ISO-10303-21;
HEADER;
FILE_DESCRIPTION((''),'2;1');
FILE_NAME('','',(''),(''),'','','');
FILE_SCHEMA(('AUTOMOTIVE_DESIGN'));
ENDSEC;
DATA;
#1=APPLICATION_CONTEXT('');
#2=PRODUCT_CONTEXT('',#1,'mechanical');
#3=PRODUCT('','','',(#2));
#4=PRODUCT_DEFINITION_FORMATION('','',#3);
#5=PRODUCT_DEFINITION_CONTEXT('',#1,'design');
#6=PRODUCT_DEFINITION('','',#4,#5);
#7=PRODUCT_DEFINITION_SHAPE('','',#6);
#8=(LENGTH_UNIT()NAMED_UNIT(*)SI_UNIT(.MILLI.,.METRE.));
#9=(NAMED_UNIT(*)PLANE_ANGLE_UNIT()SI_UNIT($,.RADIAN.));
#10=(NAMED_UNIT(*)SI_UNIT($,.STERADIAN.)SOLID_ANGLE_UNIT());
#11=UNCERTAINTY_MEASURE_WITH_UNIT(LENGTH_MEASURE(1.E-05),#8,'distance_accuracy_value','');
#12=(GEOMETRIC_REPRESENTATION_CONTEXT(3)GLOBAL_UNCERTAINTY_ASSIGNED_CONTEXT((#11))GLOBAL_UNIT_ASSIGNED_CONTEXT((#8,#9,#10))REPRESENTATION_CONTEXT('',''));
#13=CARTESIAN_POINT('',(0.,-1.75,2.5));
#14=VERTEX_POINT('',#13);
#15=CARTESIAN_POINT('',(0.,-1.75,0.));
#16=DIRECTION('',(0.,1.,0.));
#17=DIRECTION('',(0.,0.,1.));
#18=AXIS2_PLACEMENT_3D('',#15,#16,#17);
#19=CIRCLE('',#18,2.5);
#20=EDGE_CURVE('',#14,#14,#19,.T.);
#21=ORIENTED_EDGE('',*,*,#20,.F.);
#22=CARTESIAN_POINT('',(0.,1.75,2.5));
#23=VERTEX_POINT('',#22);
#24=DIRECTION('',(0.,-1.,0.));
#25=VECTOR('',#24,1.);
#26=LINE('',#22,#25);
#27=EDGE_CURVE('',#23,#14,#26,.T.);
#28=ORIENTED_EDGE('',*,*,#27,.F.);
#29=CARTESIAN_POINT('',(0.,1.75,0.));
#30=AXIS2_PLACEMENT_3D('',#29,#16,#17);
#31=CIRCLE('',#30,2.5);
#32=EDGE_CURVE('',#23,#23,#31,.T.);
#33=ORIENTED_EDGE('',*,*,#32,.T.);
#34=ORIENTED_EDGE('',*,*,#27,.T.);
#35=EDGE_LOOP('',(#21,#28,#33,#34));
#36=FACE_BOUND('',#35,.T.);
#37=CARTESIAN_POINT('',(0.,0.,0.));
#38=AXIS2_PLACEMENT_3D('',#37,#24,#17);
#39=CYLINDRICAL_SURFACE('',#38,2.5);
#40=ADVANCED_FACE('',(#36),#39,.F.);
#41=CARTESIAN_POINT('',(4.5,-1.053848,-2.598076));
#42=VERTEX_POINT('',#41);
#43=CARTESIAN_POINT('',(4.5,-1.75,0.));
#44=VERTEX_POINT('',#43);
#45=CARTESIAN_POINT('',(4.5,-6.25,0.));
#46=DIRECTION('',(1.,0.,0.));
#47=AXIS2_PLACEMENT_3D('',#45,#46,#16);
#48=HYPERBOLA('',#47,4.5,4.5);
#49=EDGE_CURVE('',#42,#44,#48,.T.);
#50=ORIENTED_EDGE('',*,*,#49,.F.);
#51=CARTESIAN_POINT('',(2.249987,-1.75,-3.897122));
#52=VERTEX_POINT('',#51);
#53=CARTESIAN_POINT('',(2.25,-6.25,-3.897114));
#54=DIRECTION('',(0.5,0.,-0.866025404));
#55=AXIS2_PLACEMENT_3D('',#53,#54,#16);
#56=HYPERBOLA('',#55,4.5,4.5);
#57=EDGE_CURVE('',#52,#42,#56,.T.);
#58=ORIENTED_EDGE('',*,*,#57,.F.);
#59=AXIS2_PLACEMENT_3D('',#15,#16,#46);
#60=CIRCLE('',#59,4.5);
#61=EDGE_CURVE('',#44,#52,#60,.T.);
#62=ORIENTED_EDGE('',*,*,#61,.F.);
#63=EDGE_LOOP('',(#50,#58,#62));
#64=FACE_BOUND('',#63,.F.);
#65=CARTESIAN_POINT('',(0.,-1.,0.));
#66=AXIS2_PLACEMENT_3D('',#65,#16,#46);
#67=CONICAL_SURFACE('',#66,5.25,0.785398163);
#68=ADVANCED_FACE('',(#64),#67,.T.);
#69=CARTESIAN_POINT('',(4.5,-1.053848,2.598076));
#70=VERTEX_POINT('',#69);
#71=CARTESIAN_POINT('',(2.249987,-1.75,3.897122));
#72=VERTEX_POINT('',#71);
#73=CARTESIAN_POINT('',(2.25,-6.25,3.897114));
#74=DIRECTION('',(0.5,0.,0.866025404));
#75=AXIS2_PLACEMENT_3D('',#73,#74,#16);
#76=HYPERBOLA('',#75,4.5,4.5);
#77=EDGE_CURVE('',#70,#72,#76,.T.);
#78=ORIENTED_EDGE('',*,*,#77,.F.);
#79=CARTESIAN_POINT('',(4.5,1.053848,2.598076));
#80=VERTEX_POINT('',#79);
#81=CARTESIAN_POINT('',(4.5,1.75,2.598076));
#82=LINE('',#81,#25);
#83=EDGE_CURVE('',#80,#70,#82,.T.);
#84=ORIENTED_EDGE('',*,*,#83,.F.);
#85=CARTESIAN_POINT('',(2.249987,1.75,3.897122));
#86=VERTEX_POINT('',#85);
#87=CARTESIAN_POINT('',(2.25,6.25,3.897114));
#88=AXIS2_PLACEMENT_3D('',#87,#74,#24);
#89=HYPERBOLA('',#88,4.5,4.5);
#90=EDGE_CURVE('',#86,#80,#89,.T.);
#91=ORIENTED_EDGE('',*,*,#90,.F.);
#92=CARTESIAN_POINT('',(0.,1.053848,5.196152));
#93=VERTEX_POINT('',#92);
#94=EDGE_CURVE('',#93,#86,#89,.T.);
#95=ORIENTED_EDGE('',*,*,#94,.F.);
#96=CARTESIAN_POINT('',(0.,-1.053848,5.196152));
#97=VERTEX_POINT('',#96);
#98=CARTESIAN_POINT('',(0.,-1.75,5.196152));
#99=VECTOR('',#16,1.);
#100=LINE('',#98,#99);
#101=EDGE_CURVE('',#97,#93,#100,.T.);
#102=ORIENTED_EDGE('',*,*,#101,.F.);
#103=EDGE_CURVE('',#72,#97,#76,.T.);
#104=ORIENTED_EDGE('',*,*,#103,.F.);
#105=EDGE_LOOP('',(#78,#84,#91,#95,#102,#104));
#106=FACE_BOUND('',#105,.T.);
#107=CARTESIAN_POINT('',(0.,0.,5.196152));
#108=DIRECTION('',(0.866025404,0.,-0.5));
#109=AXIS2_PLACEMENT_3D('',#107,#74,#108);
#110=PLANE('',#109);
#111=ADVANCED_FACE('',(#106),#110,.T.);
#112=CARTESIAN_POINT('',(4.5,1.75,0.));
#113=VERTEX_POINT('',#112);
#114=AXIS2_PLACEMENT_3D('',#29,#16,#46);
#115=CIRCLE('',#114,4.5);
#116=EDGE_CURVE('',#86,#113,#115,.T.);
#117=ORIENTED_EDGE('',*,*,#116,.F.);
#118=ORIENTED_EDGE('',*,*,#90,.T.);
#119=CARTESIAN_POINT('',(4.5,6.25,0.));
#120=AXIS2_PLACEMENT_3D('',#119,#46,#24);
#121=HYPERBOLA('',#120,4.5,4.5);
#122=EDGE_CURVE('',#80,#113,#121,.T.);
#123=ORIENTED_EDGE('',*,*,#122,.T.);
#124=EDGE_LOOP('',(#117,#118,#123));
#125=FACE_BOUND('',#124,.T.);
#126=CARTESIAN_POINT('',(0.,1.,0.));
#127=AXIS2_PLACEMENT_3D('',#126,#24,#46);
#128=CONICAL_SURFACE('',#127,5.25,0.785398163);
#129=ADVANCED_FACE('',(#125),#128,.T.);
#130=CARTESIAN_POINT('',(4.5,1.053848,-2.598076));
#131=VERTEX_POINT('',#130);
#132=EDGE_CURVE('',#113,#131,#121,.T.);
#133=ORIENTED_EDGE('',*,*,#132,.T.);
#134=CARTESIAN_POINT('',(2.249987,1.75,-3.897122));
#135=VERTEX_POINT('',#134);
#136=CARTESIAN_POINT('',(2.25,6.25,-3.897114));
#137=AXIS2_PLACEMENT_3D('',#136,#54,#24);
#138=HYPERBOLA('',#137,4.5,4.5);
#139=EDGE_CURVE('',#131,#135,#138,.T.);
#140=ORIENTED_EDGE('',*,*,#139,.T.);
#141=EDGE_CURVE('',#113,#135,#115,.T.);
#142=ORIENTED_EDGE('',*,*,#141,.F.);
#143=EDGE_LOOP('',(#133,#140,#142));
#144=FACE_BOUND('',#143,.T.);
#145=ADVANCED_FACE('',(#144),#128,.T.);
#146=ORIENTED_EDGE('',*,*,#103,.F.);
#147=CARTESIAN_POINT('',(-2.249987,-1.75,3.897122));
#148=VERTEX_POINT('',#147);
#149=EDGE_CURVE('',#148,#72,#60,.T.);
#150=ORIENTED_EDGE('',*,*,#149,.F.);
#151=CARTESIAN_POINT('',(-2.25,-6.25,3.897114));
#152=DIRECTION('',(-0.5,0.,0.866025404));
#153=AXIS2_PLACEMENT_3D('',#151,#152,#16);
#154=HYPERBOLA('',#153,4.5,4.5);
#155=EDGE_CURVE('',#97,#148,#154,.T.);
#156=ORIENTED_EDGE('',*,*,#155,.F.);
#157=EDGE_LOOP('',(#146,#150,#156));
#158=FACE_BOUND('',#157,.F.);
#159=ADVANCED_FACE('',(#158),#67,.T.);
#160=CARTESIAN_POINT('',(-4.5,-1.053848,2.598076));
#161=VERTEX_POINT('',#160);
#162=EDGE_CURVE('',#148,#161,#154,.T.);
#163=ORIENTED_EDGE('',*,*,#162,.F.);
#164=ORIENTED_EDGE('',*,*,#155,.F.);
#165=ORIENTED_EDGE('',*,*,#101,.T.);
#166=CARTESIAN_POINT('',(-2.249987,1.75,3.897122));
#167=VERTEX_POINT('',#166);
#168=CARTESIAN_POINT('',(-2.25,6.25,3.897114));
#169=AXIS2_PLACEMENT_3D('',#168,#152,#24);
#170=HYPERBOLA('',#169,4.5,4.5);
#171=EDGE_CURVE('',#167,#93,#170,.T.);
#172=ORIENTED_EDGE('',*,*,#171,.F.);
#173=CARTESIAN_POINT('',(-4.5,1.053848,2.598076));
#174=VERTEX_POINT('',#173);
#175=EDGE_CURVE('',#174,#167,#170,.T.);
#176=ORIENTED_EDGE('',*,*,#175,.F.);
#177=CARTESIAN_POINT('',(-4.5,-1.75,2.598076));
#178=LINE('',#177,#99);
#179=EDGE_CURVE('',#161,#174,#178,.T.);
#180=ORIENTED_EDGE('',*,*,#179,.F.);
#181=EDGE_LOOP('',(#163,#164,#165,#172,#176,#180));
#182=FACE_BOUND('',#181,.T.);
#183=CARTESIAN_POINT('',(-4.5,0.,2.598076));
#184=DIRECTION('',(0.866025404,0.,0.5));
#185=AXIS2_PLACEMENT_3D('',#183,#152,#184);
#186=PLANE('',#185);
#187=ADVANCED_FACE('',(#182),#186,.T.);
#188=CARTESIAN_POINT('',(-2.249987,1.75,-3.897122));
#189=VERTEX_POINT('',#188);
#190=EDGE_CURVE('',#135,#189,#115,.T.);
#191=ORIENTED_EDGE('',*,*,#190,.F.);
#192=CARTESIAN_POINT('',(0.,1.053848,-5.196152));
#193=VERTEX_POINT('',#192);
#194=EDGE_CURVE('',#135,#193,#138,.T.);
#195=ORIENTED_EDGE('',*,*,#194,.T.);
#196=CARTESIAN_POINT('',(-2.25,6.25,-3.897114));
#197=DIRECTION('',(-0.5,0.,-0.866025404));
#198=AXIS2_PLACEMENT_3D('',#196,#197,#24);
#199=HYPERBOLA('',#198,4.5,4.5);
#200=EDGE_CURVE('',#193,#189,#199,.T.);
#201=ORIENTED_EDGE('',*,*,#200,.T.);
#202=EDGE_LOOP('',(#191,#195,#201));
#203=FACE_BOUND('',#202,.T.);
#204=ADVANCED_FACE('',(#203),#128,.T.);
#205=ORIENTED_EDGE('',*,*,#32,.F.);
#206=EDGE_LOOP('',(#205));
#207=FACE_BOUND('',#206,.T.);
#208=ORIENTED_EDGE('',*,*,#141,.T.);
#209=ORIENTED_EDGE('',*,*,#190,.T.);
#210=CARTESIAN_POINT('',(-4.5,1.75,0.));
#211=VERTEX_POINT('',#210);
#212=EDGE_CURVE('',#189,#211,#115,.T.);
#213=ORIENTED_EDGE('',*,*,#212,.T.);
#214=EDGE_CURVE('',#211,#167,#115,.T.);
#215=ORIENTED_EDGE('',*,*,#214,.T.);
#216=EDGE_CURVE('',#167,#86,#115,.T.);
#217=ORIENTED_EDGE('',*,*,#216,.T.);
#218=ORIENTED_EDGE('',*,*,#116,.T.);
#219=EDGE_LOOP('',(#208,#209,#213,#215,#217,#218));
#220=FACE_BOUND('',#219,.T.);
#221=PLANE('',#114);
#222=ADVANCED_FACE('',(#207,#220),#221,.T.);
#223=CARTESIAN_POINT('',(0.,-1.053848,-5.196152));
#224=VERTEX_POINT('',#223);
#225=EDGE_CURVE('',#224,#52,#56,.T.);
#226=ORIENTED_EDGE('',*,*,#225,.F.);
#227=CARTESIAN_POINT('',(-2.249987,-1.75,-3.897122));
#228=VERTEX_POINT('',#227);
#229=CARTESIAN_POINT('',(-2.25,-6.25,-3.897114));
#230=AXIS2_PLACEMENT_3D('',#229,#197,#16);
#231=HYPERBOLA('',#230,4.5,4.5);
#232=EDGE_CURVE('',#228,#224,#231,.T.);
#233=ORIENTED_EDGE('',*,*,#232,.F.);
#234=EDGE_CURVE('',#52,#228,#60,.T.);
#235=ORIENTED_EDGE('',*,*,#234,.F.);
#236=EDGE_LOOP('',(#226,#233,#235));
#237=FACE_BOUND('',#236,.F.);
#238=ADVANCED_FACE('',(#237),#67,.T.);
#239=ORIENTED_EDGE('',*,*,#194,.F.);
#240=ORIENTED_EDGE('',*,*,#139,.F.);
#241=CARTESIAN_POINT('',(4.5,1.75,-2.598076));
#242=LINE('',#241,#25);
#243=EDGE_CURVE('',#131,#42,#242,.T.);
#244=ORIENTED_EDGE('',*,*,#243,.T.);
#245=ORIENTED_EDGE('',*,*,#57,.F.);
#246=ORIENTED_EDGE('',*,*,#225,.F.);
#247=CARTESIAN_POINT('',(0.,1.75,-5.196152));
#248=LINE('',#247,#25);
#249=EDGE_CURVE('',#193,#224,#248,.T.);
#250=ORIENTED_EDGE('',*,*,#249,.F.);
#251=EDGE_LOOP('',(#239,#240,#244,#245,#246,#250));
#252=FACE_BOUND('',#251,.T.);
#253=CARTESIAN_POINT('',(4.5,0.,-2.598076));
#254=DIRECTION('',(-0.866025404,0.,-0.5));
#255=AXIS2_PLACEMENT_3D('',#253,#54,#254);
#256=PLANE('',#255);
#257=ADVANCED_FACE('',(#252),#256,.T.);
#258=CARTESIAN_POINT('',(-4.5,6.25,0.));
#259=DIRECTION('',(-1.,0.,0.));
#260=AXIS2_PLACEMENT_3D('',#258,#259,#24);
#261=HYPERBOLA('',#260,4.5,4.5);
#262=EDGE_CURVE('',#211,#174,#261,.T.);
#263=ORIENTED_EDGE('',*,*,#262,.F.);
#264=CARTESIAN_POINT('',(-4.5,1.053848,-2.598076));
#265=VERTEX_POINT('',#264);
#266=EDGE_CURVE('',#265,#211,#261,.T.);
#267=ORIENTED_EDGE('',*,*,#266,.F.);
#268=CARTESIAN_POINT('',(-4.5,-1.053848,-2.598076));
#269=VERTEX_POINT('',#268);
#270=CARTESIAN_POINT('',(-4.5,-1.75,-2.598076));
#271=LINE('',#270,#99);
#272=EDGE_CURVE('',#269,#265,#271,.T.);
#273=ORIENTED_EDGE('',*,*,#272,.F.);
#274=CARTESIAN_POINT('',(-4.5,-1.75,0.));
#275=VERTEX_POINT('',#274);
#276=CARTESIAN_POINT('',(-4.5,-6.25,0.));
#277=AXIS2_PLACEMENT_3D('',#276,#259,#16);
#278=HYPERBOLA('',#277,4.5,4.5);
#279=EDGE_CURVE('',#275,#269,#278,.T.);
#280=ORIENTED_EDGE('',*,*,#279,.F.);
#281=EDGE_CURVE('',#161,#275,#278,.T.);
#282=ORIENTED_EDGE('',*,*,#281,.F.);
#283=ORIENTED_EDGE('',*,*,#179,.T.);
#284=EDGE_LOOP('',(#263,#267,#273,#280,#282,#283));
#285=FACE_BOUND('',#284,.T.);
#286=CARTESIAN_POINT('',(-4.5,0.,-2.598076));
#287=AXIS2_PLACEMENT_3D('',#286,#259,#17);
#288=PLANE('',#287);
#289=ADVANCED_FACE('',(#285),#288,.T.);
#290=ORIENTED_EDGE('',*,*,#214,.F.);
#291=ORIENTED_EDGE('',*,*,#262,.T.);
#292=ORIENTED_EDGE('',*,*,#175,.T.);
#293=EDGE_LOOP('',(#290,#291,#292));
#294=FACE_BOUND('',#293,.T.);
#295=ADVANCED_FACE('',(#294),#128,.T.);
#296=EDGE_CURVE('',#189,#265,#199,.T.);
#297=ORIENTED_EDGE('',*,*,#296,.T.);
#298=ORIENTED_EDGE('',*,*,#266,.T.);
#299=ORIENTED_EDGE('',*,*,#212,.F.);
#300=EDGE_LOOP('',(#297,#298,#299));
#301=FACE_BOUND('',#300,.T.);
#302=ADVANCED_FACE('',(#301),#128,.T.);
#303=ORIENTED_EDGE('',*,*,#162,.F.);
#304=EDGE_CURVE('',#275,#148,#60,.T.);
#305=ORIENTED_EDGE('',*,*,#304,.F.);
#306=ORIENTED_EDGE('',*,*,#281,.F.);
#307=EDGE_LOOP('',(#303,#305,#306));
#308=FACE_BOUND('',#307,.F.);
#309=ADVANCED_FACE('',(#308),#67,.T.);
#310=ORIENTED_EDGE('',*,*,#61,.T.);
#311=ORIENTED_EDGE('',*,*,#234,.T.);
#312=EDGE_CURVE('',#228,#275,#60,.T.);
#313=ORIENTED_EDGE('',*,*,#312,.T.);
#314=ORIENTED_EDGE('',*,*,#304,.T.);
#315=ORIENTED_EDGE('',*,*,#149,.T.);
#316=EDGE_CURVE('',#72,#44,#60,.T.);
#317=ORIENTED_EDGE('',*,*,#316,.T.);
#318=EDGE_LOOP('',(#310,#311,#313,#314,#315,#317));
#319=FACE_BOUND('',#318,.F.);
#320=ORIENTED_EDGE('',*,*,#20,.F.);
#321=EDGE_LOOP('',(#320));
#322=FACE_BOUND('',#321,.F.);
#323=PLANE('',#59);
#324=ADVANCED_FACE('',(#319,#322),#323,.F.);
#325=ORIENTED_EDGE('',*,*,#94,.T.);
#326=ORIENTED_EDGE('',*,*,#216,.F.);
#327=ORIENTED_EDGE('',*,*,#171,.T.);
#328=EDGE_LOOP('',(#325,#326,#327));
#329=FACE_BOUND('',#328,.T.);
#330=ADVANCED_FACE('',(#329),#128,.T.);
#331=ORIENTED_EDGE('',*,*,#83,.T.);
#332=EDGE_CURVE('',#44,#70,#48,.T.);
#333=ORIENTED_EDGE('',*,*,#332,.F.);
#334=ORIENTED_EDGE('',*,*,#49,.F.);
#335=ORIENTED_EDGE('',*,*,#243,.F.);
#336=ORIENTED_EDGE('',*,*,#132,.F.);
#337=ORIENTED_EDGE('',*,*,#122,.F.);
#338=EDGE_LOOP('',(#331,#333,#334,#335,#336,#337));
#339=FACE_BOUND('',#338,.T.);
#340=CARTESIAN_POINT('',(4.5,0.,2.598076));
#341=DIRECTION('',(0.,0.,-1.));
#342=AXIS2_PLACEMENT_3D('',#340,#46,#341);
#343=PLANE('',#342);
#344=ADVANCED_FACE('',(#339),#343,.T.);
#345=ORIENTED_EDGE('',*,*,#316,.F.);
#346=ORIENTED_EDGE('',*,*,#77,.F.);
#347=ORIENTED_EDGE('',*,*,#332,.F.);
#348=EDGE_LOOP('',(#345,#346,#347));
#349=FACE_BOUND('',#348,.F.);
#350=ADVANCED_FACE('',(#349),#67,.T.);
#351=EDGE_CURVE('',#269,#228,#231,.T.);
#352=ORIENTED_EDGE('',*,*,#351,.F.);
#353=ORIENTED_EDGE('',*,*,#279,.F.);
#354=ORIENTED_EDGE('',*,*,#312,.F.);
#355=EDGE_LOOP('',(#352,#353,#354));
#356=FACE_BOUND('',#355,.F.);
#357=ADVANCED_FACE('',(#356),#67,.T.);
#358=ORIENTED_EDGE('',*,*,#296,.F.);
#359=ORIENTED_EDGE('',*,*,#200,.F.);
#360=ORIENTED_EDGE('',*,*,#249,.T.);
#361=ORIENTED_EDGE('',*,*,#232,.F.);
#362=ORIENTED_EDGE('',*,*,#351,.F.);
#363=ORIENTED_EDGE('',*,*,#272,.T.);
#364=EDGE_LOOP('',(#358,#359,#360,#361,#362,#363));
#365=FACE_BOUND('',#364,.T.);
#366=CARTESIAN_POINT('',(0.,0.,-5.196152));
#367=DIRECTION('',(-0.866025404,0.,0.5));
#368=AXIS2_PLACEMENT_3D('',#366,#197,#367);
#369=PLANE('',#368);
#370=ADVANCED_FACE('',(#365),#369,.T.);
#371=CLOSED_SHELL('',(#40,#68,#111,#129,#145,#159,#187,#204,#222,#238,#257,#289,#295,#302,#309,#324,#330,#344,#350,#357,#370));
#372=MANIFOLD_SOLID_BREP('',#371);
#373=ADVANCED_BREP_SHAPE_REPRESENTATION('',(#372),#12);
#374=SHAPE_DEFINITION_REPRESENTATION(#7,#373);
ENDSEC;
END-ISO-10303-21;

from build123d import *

# Parameters (mm, degrees)
SKETCH1_R           = 2.5
BOSS_EXTRUDE1_DEPTH = 1.75


with BuildPart() as part:
    # Sketch1 → Boss-Extrude1 (new, symmetric)
    with BuildSketch(Plane(origin=(0, 0, 0), x_dir=(1, 0, 0), z_dir=(0, 1, 0))):
        Polygon((0, 5.196152423), (-4.5, 2.598076211), (-4.5, -2.598076211), (0, -5.196152423), (4.5, -2.598076211), (4.5, 2.598076211), align=None)
        with Locations(Location((0, 0, 0), (0, 0, 270))):
            Circle(SKETCH1_R, mode=Mode.SUBTRACT)
    extrude(amount=BOSS_EXTRUDE1_DEPTH, both=True)

    # Cut-Sweep1: sweep along a path in Sketch2
    with BuildLine(Plane(origin=(0, 1.75, 0), x_dir=(1, 0, 0), z_dir=(0, 1, 0))) as cut_sweep1_path:
        CenterArc((0, 0), 4.5, 0, 360)
    # Sketch3 → Cut-Sweep1 (sweep, cut)
    with BuildSketch(Plane.XY):
        Polygon((-5.25, 1), (-4.5, 1.75), (-5.25, 1.75), align=None)
    cut_sweep1 = sweep(path=cut_sweep1_path.line, mode=Mode.SUBTRACT)

    # Mirror1: Cut-Sweep1 across plane
    add(cut_sweep1.mirror(Plane.ZX), mode=Mode.SUBTRACT)


solid = part.part
